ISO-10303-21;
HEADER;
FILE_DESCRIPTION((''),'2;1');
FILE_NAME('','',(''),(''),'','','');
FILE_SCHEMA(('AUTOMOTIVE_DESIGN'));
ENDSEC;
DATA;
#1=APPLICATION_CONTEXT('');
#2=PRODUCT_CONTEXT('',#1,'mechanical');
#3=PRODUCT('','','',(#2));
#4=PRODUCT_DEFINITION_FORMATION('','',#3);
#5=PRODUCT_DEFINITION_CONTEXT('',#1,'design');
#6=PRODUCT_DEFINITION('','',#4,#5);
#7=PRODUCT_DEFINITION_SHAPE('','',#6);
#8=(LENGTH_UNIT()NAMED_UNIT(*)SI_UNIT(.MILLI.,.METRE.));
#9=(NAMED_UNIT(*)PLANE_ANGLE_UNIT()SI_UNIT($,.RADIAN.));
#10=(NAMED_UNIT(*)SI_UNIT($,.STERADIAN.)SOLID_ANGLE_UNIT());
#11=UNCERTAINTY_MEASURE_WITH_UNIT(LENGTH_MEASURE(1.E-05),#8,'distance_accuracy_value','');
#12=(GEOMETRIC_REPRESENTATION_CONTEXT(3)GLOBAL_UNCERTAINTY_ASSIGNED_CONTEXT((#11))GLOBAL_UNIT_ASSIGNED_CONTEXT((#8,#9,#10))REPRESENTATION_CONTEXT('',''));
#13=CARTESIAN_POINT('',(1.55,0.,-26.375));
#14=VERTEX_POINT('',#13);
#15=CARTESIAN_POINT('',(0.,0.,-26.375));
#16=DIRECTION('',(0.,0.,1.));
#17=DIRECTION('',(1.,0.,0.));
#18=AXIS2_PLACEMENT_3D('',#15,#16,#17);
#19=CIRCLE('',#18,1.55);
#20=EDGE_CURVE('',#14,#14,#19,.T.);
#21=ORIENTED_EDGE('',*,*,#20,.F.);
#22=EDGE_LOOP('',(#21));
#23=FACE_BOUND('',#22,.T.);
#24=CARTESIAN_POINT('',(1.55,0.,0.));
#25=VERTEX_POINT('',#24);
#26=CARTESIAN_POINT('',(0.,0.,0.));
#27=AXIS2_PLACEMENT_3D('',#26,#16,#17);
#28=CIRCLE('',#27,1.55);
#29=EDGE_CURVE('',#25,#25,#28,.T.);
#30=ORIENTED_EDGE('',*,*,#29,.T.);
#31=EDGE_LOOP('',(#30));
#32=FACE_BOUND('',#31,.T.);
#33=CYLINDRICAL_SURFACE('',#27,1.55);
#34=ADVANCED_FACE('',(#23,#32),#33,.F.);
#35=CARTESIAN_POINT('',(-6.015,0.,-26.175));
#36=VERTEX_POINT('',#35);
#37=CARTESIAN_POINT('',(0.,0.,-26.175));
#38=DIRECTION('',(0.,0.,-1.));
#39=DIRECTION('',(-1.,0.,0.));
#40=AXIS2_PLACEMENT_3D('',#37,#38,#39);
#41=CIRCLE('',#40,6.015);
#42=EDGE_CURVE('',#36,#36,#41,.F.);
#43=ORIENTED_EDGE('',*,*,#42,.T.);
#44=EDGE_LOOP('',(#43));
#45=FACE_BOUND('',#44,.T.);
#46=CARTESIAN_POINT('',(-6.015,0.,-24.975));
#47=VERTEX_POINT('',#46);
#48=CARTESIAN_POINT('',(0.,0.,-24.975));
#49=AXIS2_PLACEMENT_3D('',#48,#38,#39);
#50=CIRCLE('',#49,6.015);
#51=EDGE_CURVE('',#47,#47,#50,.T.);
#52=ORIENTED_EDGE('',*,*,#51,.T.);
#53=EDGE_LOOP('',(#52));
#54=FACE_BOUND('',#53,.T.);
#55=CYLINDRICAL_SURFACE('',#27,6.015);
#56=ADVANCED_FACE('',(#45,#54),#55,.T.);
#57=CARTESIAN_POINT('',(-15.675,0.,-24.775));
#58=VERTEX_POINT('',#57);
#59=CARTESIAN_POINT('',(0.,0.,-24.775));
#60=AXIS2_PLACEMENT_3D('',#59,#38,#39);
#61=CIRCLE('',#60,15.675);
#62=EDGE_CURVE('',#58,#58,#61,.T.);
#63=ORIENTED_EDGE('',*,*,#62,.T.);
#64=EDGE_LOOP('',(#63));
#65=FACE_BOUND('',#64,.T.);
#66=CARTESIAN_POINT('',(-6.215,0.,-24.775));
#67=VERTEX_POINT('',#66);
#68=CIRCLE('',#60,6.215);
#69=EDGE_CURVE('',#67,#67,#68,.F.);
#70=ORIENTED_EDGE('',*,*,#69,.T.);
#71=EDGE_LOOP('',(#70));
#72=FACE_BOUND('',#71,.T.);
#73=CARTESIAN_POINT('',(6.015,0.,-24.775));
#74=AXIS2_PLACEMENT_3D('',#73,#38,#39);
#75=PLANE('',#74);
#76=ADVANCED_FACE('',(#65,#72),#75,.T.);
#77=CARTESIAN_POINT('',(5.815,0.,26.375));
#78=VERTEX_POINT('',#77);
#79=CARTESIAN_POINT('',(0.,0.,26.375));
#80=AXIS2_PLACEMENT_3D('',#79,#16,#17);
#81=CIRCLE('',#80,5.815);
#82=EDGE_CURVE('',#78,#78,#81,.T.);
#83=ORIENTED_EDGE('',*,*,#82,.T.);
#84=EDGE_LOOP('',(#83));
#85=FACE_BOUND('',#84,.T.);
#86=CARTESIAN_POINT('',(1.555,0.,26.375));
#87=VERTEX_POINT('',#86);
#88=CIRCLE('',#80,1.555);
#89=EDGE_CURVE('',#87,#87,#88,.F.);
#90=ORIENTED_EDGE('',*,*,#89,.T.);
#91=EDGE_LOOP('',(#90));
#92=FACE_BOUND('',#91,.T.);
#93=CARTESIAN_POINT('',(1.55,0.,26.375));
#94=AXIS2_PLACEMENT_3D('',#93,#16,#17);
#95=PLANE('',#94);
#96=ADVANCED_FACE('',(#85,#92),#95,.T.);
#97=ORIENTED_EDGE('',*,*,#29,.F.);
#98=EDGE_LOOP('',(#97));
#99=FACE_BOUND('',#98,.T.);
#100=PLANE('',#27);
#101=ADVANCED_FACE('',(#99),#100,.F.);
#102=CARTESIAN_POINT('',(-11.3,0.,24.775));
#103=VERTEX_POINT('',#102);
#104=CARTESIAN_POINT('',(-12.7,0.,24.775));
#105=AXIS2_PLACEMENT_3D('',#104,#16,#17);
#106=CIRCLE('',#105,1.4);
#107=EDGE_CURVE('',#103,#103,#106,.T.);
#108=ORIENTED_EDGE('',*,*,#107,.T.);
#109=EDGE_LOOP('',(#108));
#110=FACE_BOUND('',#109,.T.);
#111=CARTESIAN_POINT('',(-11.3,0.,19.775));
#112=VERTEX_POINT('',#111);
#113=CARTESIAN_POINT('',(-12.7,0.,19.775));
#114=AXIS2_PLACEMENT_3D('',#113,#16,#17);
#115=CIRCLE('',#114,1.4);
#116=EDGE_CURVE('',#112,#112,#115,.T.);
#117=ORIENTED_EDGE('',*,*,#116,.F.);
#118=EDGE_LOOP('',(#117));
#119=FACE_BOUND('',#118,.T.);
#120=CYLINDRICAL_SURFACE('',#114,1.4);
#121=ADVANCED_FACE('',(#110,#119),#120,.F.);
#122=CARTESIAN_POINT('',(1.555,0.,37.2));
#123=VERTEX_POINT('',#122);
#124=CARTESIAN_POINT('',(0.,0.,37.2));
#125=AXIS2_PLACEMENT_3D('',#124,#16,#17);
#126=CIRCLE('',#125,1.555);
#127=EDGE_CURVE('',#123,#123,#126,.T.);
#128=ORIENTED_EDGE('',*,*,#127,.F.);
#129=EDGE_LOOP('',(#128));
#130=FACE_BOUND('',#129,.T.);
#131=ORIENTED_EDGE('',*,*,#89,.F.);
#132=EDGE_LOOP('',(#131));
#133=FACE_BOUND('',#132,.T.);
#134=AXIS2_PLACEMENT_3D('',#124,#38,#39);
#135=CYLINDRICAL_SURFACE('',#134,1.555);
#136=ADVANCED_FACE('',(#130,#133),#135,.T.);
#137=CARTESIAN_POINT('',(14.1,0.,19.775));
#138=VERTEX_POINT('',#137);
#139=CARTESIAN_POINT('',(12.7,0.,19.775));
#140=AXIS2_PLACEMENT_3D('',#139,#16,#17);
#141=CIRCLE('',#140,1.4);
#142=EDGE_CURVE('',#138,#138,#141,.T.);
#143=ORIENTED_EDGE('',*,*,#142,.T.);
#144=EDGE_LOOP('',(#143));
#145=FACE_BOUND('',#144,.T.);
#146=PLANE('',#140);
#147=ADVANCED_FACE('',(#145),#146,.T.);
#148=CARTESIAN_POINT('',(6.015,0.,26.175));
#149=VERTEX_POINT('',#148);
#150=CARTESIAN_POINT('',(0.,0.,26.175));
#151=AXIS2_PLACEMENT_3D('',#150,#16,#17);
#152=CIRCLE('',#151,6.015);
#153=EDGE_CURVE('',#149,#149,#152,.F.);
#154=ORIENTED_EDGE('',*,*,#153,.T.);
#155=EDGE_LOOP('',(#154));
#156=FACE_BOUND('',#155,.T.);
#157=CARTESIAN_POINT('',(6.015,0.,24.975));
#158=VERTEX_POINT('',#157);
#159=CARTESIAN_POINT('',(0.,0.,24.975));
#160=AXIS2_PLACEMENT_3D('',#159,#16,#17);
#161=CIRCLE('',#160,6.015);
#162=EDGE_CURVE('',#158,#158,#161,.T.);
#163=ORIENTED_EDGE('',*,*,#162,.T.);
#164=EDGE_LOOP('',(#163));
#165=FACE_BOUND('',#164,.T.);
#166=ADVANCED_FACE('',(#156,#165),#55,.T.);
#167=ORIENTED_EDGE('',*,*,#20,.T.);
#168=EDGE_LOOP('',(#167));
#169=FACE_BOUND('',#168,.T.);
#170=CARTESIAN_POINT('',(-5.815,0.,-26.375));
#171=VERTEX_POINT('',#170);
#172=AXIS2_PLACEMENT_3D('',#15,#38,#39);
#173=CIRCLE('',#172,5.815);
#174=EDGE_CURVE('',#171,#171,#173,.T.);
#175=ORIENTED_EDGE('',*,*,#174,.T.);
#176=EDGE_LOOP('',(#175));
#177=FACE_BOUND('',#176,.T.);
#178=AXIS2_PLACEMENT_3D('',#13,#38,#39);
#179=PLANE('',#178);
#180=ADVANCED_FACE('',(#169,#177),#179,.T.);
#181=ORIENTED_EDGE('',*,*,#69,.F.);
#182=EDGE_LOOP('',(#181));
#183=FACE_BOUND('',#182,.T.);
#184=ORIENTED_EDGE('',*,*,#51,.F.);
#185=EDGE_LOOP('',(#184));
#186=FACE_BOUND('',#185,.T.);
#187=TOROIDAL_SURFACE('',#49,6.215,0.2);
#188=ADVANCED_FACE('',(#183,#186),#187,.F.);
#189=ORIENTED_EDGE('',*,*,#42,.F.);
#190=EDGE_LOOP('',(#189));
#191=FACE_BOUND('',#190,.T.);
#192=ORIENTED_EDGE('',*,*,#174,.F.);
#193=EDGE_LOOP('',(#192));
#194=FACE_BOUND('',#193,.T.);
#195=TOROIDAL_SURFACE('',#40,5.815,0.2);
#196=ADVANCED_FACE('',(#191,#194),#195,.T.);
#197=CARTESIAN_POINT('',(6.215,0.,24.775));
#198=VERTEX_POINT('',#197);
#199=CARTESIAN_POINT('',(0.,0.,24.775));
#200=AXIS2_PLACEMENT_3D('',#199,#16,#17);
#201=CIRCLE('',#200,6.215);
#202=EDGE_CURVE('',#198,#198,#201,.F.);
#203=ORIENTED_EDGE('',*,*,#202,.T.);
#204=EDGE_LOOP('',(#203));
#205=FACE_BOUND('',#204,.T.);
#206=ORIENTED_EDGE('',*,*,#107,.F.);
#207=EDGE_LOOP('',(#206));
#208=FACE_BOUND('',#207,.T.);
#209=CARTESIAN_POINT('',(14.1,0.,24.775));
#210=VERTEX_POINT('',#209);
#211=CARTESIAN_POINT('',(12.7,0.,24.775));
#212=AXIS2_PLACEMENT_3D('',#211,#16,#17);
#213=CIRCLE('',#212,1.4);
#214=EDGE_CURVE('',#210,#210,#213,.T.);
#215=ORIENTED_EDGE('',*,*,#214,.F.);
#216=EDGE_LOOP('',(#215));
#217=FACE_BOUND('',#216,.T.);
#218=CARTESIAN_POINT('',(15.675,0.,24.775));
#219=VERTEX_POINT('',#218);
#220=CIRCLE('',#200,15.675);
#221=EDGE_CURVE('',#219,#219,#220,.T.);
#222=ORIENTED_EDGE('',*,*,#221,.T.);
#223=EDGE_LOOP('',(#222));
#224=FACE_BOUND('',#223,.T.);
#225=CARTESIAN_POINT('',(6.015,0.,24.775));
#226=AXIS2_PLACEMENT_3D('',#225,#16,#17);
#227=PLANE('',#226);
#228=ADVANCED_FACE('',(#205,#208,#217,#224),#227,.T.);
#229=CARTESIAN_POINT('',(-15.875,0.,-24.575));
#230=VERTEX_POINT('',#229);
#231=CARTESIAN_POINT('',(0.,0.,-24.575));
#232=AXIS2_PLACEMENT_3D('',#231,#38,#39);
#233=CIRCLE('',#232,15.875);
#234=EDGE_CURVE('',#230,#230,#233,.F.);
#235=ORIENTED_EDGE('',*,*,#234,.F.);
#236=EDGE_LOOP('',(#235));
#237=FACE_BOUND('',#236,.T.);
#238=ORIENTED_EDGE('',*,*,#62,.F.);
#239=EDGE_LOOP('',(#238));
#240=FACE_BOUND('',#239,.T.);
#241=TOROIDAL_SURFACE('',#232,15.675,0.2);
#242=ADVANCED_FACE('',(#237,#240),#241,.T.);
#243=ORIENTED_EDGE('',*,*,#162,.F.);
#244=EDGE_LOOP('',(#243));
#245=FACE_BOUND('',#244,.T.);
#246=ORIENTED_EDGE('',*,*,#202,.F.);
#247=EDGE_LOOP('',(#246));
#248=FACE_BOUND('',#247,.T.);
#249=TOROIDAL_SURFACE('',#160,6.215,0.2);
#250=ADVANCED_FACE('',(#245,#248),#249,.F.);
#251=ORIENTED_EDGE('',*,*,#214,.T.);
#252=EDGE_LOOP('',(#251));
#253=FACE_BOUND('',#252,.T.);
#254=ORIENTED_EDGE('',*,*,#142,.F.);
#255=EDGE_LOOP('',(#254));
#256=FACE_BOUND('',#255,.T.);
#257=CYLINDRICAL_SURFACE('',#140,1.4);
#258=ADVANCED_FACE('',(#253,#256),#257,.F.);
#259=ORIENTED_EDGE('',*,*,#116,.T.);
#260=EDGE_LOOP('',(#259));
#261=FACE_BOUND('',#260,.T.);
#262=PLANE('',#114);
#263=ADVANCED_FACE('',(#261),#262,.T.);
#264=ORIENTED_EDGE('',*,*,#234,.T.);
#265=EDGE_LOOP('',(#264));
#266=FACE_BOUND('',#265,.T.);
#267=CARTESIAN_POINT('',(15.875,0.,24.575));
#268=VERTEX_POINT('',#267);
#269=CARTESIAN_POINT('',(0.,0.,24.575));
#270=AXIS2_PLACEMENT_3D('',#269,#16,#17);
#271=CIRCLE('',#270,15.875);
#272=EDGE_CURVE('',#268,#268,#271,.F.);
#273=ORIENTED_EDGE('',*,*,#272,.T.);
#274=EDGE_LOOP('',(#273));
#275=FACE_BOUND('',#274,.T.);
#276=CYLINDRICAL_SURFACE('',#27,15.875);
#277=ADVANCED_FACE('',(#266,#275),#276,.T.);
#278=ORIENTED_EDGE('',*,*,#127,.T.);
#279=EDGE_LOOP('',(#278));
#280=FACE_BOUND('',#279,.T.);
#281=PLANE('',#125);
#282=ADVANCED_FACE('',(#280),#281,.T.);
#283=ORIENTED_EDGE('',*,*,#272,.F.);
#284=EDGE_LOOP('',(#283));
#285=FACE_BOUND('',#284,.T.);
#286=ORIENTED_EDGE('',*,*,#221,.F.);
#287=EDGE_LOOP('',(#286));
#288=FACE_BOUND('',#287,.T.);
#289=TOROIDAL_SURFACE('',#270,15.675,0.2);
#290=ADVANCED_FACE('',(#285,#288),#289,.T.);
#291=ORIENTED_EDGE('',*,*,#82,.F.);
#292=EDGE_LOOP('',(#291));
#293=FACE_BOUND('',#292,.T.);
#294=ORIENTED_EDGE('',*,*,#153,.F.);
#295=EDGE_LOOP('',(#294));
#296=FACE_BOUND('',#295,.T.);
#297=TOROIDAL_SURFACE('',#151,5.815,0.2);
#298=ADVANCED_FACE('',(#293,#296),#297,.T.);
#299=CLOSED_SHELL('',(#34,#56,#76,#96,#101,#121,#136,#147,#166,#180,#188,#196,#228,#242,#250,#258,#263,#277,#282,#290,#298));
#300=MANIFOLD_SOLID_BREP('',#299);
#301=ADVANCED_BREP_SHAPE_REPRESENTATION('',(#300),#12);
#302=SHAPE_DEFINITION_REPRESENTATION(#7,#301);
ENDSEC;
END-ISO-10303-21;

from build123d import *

# Parameters (mm, degrees)
SKETCH4_R             = 1.555
SHAFT_DEPTH           = 37.2
FILLET1_R             = 0.2
SKETCH6_R             = 1.4
F_6_32_THREADED_DEPTH = 5


with BuildPart() as part:
    # Sketch2 → body (revolve)
    with BuildSketch(Plane(origin=(0, 0, 0), x_dir=(1, 0, 0), z_dir=(0, 1, 0))):
        Polygon((1.55, -26.375), (1.55, 26.375), (6.015, 26.375), (6.015, 24.775), (15.875, 24.775), (15.875, -24.775), (6.015, -24.775), (6.015, -26.375), align=None)
    revolve(axis=Axis((0, 0, 0), (0, 0, -1)))

    # Sketch4 → shaft (add)
    with BuildSketch(Plane.XY):
        Circle(SKETCH4_R)
    extrude(amount=SHAFT_DEPTH)

    # Fillet1
    fillet1_edges = [part.edges().sort_by_distance(p)[0] for p in [
        (-6.015, 0, 26.375),
        (-6.015, 0, 24.775),
        (-15.875, 0, 24.775),
        (-15.875, 0, -24.775),
        (-6.015, 0, -24.775),
        (-6.015, 0, -26.375),
    ]]
    fillet(fillet1_edges, radius=FILLET1_R)

    # Sketch6 → #6-32 threaded (cut)
    with BuildSketch(Plane.XY.offset(24.775)):
        with Locations((-12.7, 0)):
            Circle(SKETCH6_R)
        with Locations((12.7, 0)):
            Circle(SKETCH6_R)
    extrude(amount=-F_6_32_THREADED_DEPTH, mode=Mode.SUBTRACT)


solid = part.part
